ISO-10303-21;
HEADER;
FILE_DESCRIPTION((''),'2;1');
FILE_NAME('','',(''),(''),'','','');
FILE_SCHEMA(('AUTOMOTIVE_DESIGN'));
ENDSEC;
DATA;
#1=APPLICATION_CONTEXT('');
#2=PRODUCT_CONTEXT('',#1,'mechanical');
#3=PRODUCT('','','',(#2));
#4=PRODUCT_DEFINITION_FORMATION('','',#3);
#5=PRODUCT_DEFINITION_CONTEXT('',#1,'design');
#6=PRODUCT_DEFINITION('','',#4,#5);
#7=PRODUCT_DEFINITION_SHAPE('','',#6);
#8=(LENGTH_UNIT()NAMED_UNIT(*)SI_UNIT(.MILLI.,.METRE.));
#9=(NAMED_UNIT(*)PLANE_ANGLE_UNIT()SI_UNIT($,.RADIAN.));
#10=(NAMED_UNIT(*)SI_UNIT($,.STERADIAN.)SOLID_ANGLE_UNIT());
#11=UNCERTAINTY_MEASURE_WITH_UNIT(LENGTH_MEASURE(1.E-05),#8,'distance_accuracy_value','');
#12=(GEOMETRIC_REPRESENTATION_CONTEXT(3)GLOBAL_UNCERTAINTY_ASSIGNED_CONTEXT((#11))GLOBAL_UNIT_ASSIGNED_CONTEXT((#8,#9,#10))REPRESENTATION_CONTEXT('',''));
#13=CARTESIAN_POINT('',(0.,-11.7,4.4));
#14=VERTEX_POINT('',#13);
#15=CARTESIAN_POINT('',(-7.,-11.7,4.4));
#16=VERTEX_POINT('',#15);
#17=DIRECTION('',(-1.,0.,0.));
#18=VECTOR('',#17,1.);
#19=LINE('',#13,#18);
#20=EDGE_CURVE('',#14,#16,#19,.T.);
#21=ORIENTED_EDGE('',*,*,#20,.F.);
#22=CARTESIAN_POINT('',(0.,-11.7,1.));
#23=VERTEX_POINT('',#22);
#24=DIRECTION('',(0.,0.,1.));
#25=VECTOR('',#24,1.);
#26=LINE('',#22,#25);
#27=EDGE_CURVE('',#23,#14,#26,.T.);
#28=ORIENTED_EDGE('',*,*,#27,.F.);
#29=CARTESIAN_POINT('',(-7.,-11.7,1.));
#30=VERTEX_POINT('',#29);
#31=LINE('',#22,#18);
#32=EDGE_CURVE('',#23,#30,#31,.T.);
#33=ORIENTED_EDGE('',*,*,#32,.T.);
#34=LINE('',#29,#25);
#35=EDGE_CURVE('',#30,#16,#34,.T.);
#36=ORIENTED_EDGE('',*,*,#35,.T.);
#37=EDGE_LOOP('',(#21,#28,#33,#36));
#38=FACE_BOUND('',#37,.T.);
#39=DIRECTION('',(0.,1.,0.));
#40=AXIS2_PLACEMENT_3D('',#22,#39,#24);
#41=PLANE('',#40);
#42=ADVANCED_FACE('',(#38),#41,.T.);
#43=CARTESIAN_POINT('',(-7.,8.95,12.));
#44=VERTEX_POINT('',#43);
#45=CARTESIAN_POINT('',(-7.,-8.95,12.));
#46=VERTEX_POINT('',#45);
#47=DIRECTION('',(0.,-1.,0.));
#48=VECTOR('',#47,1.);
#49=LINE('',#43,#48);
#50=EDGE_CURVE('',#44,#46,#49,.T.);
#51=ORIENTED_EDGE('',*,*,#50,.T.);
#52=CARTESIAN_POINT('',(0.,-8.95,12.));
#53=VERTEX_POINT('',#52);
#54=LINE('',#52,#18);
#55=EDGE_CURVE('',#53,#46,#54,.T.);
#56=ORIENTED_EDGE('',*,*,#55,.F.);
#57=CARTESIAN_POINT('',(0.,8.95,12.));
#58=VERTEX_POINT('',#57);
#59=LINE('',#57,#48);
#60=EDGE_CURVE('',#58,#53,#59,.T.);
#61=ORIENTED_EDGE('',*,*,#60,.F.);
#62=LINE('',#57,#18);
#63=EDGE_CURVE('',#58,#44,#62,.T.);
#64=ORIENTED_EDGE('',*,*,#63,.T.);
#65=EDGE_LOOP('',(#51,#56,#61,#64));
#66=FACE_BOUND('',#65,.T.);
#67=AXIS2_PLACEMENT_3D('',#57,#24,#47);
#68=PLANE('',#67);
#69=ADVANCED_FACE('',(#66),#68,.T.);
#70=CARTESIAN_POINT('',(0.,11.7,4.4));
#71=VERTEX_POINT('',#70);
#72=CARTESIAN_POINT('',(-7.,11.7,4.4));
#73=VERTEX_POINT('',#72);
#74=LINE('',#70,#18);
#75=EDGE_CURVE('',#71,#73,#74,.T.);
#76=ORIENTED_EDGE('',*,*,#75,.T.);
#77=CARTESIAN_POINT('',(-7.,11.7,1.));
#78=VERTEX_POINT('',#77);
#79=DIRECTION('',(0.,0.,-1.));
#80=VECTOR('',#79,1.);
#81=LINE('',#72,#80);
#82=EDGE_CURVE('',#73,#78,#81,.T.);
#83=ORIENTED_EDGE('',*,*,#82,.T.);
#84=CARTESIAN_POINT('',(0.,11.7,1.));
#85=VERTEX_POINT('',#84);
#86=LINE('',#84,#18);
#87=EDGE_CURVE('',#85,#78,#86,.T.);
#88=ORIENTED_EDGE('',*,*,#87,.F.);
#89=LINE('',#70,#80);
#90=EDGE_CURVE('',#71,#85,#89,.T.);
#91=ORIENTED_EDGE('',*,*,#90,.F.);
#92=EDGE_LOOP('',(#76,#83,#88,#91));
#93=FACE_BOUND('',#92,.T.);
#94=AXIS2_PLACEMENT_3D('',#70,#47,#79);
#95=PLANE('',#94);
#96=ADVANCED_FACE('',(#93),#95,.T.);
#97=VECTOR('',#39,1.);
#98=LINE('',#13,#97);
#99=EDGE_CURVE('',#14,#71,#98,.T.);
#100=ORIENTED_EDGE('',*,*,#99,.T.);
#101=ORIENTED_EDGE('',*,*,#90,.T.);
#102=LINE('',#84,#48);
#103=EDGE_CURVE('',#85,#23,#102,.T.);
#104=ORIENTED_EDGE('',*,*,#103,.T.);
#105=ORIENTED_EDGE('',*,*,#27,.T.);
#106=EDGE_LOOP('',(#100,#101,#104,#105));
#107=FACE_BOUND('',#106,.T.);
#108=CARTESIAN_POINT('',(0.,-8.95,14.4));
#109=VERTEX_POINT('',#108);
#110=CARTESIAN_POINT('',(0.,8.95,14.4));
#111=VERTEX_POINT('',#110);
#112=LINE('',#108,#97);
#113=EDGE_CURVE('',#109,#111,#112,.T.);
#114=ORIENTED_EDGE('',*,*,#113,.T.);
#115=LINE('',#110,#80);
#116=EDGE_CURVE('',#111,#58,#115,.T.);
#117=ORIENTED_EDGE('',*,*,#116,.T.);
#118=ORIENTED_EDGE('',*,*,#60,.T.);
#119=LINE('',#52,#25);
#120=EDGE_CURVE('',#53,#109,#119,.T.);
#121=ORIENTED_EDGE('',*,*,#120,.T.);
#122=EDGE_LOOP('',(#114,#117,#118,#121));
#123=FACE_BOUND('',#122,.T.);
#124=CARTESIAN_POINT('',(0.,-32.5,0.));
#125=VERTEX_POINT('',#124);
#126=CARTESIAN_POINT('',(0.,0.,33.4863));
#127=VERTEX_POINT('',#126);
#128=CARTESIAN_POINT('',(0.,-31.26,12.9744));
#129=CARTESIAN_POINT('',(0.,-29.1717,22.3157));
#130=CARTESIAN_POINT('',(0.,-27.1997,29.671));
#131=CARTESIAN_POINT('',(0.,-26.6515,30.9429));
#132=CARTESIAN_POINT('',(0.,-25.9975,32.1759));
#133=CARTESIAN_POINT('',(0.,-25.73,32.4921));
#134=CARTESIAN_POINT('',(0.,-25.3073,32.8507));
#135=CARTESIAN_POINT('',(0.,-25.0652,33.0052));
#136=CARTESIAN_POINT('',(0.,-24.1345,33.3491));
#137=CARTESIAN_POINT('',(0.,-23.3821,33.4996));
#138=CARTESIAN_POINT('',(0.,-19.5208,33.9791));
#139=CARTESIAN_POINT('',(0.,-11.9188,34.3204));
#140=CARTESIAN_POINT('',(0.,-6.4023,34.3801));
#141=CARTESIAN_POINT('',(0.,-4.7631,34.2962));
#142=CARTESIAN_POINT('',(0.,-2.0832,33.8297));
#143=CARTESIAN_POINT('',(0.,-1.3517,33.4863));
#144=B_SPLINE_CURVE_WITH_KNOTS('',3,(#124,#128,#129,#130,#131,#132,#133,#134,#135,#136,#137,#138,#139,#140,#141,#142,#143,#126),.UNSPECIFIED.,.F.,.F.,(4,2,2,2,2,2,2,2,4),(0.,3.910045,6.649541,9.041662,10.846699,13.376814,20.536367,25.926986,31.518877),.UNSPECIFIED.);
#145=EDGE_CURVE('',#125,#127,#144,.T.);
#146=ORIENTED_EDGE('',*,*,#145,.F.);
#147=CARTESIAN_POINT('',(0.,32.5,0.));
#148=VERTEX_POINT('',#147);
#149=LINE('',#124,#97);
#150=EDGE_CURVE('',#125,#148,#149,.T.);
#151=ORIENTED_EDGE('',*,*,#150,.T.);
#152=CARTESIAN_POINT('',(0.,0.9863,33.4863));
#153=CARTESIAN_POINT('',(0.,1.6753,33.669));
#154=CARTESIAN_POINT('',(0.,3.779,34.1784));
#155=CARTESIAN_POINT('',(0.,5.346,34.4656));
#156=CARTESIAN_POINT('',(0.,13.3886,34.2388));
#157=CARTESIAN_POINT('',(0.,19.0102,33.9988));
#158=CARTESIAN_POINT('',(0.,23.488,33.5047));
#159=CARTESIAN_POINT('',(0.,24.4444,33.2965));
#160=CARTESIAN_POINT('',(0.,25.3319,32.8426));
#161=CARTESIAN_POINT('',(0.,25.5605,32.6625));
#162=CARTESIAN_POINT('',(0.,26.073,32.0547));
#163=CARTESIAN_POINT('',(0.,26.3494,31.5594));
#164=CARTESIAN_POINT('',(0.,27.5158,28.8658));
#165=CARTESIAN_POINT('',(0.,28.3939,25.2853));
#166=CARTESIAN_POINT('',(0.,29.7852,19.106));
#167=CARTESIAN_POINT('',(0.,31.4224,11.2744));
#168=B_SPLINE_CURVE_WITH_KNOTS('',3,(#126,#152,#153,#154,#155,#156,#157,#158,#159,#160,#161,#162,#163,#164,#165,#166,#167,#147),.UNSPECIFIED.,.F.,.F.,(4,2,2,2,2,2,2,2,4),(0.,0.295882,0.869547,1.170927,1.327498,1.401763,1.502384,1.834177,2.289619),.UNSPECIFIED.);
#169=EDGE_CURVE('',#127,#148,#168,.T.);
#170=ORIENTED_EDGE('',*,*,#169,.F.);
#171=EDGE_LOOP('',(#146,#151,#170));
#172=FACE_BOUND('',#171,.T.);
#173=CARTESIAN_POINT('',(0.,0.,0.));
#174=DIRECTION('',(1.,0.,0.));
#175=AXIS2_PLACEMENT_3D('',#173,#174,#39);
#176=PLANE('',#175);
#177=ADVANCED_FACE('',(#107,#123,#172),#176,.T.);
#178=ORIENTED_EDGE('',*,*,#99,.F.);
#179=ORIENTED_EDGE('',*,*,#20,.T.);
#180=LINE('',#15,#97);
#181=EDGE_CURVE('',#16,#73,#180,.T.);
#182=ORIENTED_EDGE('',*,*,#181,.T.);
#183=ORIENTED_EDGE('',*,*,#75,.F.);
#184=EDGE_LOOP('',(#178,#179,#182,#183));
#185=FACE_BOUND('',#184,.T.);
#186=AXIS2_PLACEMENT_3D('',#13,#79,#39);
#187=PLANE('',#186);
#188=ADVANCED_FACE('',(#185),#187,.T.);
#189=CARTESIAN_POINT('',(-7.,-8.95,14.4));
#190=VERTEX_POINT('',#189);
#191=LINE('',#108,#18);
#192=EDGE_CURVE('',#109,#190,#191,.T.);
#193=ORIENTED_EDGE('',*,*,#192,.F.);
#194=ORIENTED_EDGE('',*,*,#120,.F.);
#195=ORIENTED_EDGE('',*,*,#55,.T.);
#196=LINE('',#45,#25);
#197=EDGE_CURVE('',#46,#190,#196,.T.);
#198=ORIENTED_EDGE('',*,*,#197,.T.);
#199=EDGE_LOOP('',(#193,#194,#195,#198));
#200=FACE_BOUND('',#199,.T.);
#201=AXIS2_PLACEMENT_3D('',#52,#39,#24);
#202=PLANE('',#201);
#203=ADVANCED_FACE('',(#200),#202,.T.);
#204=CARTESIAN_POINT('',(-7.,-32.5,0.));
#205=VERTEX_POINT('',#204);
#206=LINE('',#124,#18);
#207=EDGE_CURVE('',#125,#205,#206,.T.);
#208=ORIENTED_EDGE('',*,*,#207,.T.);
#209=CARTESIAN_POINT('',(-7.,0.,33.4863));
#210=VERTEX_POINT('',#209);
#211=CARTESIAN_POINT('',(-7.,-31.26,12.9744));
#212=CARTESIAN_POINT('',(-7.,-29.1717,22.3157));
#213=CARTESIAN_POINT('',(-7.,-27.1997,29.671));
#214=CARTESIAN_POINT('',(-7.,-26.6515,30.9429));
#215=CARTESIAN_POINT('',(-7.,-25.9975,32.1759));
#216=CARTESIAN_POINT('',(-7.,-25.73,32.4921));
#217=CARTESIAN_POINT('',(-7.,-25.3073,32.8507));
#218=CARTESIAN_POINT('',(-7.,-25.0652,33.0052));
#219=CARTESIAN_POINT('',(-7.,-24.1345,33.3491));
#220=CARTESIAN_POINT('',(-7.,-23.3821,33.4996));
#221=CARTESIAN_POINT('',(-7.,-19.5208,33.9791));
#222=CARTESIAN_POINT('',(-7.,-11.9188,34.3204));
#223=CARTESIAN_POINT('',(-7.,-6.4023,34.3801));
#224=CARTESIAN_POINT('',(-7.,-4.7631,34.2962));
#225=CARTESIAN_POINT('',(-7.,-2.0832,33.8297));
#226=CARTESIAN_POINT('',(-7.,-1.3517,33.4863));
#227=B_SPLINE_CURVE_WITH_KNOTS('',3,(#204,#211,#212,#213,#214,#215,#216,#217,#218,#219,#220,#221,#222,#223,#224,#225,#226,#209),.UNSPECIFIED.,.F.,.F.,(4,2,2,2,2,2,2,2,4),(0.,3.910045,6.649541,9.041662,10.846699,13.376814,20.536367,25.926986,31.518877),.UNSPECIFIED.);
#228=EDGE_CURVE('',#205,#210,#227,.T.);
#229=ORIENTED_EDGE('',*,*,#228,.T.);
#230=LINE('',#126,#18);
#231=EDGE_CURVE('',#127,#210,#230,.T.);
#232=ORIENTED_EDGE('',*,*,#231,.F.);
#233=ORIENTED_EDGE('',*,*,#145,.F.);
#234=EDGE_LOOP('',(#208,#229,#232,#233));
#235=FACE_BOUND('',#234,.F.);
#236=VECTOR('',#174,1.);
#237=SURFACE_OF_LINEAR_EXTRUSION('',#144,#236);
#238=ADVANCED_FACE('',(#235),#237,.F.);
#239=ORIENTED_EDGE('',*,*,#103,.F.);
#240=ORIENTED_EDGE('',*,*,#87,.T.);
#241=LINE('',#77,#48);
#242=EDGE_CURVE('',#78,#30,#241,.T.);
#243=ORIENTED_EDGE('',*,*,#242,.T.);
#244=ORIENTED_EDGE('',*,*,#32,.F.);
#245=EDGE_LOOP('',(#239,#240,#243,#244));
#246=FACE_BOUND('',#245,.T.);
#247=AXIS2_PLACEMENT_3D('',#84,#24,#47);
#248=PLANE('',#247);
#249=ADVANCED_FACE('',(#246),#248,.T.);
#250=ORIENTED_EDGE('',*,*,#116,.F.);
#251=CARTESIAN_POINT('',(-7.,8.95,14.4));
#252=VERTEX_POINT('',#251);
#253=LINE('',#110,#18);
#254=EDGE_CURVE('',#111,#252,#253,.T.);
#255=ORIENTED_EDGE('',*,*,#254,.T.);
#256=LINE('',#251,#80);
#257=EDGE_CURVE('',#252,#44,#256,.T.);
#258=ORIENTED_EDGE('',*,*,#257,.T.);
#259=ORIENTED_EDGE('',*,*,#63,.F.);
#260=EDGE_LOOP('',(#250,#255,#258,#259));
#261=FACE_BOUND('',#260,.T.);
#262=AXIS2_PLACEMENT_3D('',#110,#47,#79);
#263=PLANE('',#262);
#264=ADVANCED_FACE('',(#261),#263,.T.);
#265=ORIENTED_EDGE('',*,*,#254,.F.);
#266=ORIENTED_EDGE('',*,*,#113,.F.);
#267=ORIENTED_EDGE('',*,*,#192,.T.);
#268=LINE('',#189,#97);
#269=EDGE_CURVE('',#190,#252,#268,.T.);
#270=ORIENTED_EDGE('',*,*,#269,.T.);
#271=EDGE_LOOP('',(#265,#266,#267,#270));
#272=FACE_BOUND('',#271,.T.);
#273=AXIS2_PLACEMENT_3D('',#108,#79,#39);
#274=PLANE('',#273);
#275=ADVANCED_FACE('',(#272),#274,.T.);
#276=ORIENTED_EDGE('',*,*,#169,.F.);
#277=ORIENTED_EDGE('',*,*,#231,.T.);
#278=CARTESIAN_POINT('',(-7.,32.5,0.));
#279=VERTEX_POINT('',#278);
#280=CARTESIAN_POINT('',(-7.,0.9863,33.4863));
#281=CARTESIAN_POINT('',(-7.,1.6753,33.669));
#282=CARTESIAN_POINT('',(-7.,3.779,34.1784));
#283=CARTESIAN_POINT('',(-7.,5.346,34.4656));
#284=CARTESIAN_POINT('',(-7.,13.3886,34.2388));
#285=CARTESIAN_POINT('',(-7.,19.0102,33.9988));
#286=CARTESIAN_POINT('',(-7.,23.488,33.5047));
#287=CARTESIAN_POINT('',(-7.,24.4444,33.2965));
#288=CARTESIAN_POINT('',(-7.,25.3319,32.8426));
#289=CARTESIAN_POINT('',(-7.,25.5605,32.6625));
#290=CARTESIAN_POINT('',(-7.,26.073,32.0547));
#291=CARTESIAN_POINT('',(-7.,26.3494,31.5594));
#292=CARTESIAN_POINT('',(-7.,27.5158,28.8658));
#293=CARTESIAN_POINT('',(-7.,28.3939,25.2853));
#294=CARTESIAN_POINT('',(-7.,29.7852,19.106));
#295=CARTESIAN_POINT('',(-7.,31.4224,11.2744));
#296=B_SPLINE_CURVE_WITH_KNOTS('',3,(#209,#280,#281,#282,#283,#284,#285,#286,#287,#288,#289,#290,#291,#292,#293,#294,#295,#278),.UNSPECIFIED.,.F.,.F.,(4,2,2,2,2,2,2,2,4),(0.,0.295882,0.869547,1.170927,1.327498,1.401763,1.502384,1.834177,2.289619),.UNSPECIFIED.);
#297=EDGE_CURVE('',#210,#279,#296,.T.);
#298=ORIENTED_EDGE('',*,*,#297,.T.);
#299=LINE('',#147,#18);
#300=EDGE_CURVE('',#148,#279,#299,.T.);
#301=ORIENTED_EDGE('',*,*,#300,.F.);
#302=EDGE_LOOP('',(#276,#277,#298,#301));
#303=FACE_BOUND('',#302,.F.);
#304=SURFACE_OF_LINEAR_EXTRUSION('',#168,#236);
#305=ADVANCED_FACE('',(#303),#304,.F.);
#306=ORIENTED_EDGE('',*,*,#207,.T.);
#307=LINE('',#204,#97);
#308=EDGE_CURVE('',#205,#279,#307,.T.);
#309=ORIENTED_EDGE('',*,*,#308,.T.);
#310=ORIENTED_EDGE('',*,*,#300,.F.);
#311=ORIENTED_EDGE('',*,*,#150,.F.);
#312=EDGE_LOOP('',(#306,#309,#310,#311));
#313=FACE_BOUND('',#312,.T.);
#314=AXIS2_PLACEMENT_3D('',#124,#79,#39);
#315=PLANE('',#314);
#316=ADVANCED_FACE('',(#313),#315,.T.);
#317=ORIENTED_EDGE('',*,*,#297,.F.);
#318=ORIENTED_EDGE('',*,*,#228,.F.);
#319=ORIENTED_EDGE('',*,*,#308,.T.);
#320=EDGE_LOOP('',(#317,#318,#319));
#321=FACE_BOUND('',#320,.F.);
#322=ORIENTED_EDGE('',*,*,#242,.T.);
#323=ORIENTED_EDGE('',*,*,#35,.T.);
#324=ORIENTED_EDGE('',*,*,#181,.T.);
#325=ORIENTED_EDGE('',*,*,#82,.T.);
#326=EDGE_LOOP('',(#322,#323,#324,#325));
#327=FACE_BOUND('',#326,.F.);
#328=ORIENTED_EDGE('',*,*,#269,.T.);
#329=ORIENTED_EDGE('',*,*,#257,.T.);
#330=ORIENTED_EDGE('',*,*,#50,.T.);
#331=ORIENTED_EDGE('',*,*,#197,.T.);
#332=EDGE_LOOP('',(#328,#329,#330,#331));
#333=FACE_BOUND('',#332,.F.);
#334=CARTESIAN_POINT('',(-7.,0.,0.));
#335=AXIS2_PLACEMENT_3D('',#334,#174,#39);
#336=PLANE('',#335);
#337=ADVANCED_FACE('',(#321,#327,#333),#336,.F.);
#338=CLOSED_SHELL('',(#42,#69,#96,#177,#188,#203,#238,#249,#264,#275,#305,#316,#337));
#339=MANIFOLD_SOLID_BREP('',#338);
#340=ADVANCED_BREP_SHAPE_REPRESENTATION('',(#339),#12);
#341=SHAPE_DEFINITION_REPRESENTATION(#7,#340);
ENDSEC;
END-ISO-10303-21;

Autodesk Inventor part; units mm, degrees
ref_plane "YZ Plane" through (0, 0, 0) normal (1, 0, 0) x (0, 1, 0)
ref_plane "XZ Plane" through (0, 0, 0) normal (0, 1, 0) x (-1, 0, 0)
ref_plane "XY Plane" through (0, 0, 0) normal (0, 0, 1) x (1, 0, 0)
sketch "Sketch1" plane through (0, 0, 0) normal (1, 0, 0) x (0, 1, 0)
  line L0 (-11.5, 1.2) -> (-11.5, 4.2) construction
  line L1 (11.5, 1.2) -> (11.5, 4.2) construction
  line L2 (0, 56.2307) -> (0, -9.9122) construction
  line L3 (-11.5, 2.7) -> (0, 2.7) construction
  line L4 (11.7, 1) -> (-11.7, 1)
  line L5 (-11.7, 1) -> (-11.7, 4.4)
  line L6 (-11.7, 4.4) -> (11.7, 4.4)
  line L7 (11.7, 4.4) -> (11.7, 1)
  line L8 (11.7, 1) -> (-11.7, 4.4) construction
  line L9 (-11.7, 1) -> (11.7, 4.4) construction
  spline S0 degree 3 poles (-32.5, 0) (-31.26, 12.9744) (-29.1717, 22.3157) (-27.1997, 29.671) (-26.6515, 30.9429) (-25.9975, 32.1759) (-25.73, 32.4921) (-25.3073, 32.8507) (-25.0652, 33.0052) (-24.1345, 33.3491) (-23.3821, 33.4996) (-19.5208, 33.9791) (-11.9188, 34.3204) (-6.4023, 34.3801) (-4.7631, 34.2962) (-2.0832, 33.8297) (-1.3517, 33.4863) (0, 33.4863) knots 0 0 0 0 3.910045 3.910045 6.649541 6.649541 9.041662 9.041662 10.846699 10.846699 13.376814 13.376814 20.536367 20.536367 25.926986 25.926986 31.518877 31.518877 31.518877 31.518877 projected
  spline S1 degree 3 poles (0, 33.4863) (0.9863, 33.4863) (1.6753, 33.669) (3.779, 34.1784) (5.346, 34.4656) (13.3886, 34.2388) (19.0102, 33.9988) (23.488, 33.5047) (24.4444, 33.2965) (25.3319, 32.8426) (25.5605, 32.6625) (26.073, 32.0547) (26.3494, 31.5594) (27.5158, 28.8658) (28.3939, 25.2853) (29.7852, 19.106) (31.4224, 11.2744) (32.5, 0) knots 0 0 0 0 0.295882 0.295882 0.869547 0.869547 1.170927 1.170927 1.327498 1.327498 1.401763 1.401763 1.502384 1.502384 1.834177 1.834177 2.289619 2.289619 2.289619 2.289619 projected
  line L10 (-32.5, 0) -> (32.5, 0)
  line L11 (-8.75, 12.2) -> (-8.75, 14.2) construction
  line L12 (8.75, 12.2) -> (8.75, 14.2) construction
  line L13 (-8.75, 13.2) -> (8.75, 13.2) construction
  line L14 (8.95, 12) -> (-8.95, 12)
  line L15 (-8.95, 12) -> (-8.95, 14.4)
  line L16 (-8.95, 14.4) -> (8.95, 14.4)
  line L17 (8.95, 14.4) -> (8.95, 12)
  line L18 (8.95, 12) -> (-8.95, 14.4) construction
  line L19 (-8.95, 12) -> (8.95, 14.4) construction
  point P0 (0, 0)
  point P1 (0, 13.2)
  dimension "d0" = 0.2
  dimension "d1" = 0.2
  dimension "d2" = 0.2
  dimension "d3" = 0.2
extrude "Extrusion1" add sketch "Sketch1" against normal blind 7
equation "\"d2\" = d1"
equation "\"d3\" = d2"
equation "\"d4\" = Interface_Thickness"
equation "\"Heatsink_Thickness\" = 5"
equation "\"Heatsink_Width\" = 65"
equation "\"Cover_Thickness\" = 2"
equation "\"PowerPCB_Minus_Height\" = 1.2"
equation "\"PowerPCB_Width\" = 63"
equation "\"Interface_Thickness\" = 7"
equation "\"PowerPCB_Thickness\" = 3"
equation "\"PowerPCB_Plus_Height\" = 8"
equation "\"LogicPCB_Width\" = 55"
equation "\"LogicPCB_Thickness\" = 2"
equation "\"LogicPCB_Plus_Height\" = 8"
equation "\"HostPCB_Thickness\" = 1.2"
equation "\"HostPCB_Plus_Height\" = 8"
properties part number "Interface_Left_Pannel" material "ABS Plastic"
